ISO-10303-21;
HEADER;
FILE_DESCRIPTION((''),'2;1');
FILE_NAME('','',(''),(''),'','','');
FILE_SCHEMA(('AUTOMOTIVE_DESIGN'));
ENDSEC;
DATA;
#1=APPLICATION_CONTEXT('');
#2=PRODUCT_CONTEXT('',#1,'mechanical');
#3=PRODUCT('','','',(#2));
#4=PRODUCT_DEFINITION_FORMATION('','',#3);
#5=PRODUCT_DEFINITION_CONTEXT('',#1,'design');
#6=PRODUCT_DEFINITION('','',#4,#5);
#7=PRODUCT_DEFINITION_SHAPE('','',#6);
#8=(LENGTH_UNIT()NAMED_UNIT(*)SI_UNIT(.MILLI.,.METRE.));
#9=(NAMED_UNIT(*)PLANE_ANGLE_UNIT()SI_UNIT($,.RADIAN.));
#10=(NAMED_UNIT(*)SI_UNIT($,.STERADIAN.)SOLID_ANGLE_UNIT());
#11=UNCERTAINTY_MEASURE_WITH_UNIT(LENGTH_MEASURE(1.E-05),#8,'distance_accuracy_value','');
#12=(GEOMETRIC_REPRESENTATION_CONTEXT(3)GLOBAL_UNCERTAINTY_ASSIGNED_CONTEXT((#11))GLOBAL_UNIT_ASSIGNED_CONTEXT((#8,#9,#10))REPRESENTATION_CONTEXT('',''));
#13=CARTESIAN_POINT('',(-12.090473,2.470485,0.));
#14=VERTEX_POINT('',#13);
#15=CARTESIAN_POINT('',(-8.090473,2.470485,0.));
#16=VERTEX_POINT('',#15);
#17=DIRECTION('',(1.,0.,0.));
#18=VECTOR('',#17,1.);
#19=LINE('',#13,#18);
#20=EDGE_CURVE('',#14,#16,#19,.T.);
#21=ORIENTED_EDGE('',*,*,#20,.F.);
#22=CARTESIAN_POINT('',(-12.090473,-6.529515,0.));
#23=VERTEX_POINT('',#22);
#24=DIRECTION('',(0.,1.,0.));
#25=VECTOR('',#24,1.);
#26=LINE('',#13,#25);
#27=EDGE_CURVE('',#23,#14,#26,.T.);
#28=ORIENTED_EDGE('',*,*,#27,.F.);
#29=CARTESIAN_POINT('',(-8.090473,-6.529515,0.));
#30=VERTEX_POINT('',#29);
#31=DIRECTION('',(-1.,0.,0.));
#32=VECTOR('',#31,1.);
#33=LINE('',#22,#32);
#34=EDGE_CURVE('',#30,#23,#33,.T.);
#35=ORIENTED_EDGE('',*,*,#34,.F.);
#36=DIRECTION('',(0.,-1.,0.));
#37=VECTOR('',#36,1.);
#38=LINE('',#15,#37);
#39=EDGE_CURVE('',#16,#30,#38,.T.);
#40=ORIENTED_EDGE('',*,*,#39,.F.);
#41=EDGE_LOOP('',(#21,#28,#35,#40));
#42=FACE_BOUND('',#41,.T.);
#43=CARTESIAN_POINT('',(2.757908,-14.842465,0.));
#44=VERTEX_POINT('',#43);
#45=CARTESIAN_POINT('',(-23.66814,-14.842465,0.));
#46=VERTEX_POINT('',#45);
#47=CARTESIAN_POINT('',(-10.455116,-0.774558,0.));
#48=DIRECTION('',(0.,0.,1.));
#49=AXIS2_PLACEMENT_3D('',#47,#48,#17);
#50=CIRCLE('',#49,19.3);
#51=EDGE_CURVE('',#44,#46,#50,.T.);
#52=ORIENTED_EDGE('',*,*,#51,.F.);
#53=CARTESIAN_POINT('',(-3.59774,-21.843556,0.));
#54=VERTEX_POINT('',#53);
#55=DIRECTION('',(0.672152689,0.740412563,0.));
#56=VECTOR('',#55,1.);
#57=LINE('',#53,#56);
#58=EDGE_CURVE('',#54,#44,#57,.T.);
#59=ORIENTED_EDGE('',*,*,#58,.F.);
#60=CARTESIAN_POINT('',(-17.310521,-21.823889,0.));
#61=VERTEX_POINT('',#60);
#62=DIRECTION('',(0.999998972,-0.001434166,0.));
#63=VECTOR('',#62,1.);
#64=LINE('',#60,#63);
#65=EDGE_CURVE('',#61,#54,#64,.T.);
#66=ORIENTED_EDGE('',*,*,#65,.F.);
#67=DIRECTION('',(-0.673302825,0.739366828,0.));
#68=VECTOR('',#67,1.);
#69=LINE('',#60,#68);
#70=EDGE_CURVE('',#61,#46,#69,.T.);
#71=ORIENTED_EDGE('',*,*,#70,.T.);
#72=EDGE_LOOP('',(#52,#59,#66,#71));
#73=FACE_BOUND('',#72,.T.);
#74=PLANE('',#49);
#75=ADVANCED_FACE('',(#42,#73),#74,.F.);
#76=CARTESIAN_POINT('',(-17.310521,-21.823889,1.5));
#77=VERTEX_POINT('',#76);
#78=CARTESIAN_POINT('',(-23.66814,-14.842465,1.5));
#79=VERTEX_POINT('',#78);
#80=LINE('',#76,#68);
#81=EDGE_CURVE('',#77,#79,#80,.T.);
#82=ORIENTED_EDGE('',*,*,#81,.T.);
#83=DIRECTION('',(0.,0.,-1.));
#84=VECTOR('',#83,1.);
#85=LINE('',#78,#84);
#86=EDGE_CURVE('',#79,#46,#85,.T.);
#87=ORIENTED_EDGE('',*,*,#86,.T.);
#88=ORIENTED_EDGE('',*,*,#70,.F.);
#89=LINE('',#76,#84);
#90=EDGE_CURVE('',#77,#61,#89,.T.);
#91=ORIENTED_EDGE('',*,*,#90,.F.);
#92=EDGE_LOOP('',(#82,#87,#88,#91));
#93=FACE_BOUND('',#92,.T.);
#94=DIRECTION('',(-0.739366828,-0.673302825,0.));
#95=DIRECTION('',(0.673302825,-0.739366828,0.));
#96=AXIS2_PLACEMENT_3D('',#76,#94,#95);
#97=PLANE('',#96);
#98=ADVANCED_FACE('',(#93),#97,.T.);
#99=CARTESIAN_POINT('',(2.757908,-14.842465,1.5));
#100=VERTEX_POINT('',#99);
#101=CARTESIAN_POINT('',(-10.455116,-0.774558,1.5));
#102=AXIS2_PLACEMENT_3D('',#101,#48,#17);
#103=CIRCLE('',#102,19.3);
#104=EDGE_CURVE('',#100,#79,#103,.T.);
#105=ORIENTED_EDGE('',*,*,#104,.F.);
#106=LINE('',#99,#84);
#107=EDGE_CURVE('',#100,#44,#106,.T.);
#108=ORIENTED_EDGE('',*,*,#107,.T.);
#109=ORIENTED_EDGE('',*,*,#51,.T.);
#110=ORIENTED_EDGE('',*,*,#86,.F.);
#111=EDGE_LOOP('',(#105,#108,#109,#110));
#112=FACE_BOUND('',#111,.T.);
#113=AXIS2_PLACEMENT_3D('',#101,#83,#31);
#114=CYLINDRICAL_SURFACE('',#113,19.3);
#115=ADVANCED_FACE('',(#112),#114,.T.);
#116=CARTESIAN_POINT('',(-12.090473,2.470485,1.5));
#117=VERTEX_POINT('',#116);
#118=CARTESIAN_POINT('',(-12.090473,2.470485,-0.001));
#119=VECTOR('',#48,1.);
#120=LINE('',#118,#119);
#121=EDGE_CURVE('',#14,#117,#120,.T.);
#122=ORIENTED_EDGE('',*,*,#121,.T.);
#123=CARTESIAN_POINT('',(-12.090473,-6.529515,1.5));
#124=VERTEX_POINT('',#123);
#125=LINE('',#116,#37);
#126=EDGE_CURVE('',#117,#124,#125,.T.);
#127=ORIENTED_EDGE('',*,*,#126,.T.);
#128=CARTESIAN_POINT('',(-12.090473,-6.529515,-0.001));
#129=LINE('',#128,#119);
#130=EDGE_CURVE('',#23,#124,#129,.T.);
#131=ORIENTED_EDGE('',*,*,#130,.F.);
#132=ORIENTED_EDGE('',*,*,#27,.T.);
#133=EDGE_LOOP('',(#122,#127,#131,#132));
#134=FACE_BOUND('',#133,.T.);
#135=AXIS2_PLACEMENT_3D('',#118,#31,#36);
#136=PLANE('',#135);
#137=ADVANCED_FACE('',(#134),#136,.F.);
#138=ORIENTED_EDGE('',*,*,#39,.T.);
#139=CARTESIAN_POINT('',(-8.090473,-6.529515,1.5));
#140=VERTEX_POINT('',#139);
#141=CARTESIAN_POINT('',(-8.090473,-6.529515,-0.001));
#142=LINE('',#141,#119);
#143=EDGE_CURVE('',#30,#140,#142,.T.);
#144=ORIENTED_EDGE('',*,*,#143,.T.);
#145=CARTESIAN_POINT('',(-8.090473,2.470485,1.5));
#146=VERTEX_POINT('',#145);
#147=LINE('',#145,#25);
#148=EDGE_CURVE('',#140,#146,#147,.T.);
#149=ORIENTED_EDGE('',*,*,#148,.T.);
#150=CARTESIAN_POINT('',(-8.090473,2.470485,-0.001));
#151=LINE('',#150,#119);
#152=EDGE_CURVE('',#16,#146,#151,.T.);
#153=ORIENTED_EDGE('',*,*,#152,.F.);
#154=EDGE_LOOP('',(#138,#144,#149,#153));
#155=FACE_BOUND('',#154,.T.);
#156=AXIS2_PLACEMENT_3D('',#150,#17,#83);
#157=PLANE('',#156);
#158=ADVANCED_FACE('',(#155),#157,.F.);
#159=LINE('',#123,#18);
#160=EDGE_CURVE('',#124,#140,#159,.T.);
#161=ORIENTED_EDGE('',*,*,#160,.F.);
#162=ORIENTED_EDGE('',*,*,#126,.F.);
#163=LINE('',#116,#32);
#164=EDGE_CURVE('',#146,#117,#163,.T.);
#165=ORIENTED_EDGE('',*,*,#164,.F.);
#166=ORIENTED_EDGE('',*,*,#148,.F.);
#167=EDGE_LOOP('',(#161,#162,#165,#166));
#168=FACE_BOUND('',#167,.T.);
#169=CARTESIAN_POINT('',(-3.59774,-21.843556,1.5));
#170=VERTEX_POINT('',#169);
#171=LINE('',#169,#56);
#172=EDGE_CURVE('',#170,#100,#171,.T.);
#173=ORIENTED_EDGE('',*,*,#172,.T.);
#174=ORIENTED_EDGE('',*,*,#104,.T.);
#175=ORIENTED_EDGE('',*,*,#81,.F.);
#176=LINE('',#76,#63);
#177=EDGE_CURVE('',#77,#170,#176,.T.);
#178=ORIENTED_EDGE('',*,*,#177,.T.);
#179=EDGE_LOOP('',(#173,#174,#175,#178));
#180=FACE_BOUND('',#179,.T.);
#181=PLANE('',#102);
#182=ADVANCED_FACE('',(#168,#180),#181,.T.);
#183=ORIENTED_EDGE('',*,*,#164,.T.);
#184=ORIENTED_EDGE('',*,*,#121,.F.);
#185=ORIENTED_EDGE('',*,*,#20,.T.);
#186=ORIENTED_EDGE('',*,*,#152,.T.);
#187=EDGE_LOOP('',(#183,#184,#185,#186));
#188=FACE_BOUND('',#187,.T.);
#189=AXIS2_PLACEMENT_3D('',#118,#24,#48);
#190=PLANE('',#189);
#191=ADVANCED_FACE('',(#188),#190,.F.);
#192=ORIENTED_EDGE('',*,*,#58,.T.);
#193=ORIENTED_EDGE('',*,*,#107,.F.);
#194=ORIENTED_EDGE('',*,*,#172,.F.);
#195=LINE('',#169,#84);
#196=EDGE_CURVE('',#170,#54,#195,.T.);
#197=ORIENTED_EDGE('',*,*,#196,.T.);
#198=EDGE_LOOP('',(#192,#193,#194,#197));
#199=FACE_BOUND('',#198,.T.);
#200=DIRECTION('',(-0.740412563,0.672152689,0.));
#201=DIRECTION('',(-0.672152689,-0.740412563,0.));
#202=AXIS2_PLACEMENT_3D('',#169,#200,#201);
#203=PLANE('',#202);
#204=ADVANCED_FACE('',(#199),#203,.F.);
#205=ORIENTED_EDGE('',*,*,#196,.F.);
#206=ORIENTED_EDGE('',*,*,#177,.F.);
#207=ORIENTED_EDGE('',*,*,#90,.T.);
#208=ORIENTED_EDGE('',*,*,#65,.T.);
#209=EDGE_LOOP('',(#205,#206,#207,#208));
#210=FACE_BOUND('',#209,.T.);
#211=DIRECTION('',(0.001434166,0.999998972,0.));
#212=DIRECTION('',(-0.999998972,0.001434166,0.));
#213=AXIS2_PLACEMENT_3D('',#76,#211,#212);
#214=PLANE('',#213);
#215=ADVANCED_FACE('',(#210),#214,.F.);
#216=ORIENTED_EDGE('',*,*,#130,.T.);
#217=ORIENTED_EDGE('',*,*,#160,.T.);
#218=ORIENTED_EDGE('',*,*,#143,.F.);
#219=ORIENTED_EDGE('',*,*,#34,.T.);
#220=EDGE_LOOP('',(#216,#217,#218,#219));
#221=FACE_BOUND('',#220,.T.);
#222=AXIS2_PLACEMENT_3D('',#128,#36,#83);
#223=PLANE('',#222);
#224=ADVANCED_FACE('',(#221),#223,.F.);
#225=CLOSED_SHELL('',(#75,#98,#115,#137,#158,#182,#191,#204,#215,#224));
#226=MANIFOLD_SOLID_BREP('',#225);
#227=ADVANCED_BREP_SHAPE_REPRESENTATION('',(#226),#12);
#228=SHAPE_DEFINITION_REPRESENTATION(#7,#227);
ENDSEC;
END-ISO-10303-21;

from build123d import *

# Parameters (mm, degrees)
BOSS_EXTRUDE1_DEPTH = 1.5
CUT_EXTRUDE1_REACH  = 38.943
SKETCH2_W           = 4
SKETCH2_H           = 9


with BuildPart() as part:
    # Sketch1 → Boss-Extrude1 (new body)
    with BuildSketch(Plane.XY):
        with BuildLine():
            Line((-17.310520711, -21.823889376), (-3.597740248, -21.843555797))
            Line((-3.597740248, -21.843555797), (2.757908107, -14.842465178))
            ThreePointArc((2.757908107, -14.842465178), (-10.455115829, 18.525441507), (-23.668139764, -14.842465178))
            Line((-23.668139764, -14.842465178), (-17.310520711, -21.823889376))
        make_face()
    extrude(amount=BOSS_EXTRUDE1_DEPTH)

    # Sketch2 → Cut-Extrude1 (cut, up to next)
    with BuildSketch(Plane.XY.offset(1.5), mode=Mode.PRIVATE) as cut_extrude1_sk1:
        with Locations((-10.090473375, -2.029514736)):
            Rectangle(SKETCH2_W, SKETCH2_H)
    cut_extrude1_tool1 = extrude(cut_extrude1_sk1.sketch, amount=-CUT_EXTRUDE1_REACH, mode=Mode.PRIVATE) & part.part
    add(cut_extrude1_tool1.solids().sort_by_distance((-10.090473, -2.029515, 1.5))[0], mode=Mode.SUBTRACT)


solid = part.part
